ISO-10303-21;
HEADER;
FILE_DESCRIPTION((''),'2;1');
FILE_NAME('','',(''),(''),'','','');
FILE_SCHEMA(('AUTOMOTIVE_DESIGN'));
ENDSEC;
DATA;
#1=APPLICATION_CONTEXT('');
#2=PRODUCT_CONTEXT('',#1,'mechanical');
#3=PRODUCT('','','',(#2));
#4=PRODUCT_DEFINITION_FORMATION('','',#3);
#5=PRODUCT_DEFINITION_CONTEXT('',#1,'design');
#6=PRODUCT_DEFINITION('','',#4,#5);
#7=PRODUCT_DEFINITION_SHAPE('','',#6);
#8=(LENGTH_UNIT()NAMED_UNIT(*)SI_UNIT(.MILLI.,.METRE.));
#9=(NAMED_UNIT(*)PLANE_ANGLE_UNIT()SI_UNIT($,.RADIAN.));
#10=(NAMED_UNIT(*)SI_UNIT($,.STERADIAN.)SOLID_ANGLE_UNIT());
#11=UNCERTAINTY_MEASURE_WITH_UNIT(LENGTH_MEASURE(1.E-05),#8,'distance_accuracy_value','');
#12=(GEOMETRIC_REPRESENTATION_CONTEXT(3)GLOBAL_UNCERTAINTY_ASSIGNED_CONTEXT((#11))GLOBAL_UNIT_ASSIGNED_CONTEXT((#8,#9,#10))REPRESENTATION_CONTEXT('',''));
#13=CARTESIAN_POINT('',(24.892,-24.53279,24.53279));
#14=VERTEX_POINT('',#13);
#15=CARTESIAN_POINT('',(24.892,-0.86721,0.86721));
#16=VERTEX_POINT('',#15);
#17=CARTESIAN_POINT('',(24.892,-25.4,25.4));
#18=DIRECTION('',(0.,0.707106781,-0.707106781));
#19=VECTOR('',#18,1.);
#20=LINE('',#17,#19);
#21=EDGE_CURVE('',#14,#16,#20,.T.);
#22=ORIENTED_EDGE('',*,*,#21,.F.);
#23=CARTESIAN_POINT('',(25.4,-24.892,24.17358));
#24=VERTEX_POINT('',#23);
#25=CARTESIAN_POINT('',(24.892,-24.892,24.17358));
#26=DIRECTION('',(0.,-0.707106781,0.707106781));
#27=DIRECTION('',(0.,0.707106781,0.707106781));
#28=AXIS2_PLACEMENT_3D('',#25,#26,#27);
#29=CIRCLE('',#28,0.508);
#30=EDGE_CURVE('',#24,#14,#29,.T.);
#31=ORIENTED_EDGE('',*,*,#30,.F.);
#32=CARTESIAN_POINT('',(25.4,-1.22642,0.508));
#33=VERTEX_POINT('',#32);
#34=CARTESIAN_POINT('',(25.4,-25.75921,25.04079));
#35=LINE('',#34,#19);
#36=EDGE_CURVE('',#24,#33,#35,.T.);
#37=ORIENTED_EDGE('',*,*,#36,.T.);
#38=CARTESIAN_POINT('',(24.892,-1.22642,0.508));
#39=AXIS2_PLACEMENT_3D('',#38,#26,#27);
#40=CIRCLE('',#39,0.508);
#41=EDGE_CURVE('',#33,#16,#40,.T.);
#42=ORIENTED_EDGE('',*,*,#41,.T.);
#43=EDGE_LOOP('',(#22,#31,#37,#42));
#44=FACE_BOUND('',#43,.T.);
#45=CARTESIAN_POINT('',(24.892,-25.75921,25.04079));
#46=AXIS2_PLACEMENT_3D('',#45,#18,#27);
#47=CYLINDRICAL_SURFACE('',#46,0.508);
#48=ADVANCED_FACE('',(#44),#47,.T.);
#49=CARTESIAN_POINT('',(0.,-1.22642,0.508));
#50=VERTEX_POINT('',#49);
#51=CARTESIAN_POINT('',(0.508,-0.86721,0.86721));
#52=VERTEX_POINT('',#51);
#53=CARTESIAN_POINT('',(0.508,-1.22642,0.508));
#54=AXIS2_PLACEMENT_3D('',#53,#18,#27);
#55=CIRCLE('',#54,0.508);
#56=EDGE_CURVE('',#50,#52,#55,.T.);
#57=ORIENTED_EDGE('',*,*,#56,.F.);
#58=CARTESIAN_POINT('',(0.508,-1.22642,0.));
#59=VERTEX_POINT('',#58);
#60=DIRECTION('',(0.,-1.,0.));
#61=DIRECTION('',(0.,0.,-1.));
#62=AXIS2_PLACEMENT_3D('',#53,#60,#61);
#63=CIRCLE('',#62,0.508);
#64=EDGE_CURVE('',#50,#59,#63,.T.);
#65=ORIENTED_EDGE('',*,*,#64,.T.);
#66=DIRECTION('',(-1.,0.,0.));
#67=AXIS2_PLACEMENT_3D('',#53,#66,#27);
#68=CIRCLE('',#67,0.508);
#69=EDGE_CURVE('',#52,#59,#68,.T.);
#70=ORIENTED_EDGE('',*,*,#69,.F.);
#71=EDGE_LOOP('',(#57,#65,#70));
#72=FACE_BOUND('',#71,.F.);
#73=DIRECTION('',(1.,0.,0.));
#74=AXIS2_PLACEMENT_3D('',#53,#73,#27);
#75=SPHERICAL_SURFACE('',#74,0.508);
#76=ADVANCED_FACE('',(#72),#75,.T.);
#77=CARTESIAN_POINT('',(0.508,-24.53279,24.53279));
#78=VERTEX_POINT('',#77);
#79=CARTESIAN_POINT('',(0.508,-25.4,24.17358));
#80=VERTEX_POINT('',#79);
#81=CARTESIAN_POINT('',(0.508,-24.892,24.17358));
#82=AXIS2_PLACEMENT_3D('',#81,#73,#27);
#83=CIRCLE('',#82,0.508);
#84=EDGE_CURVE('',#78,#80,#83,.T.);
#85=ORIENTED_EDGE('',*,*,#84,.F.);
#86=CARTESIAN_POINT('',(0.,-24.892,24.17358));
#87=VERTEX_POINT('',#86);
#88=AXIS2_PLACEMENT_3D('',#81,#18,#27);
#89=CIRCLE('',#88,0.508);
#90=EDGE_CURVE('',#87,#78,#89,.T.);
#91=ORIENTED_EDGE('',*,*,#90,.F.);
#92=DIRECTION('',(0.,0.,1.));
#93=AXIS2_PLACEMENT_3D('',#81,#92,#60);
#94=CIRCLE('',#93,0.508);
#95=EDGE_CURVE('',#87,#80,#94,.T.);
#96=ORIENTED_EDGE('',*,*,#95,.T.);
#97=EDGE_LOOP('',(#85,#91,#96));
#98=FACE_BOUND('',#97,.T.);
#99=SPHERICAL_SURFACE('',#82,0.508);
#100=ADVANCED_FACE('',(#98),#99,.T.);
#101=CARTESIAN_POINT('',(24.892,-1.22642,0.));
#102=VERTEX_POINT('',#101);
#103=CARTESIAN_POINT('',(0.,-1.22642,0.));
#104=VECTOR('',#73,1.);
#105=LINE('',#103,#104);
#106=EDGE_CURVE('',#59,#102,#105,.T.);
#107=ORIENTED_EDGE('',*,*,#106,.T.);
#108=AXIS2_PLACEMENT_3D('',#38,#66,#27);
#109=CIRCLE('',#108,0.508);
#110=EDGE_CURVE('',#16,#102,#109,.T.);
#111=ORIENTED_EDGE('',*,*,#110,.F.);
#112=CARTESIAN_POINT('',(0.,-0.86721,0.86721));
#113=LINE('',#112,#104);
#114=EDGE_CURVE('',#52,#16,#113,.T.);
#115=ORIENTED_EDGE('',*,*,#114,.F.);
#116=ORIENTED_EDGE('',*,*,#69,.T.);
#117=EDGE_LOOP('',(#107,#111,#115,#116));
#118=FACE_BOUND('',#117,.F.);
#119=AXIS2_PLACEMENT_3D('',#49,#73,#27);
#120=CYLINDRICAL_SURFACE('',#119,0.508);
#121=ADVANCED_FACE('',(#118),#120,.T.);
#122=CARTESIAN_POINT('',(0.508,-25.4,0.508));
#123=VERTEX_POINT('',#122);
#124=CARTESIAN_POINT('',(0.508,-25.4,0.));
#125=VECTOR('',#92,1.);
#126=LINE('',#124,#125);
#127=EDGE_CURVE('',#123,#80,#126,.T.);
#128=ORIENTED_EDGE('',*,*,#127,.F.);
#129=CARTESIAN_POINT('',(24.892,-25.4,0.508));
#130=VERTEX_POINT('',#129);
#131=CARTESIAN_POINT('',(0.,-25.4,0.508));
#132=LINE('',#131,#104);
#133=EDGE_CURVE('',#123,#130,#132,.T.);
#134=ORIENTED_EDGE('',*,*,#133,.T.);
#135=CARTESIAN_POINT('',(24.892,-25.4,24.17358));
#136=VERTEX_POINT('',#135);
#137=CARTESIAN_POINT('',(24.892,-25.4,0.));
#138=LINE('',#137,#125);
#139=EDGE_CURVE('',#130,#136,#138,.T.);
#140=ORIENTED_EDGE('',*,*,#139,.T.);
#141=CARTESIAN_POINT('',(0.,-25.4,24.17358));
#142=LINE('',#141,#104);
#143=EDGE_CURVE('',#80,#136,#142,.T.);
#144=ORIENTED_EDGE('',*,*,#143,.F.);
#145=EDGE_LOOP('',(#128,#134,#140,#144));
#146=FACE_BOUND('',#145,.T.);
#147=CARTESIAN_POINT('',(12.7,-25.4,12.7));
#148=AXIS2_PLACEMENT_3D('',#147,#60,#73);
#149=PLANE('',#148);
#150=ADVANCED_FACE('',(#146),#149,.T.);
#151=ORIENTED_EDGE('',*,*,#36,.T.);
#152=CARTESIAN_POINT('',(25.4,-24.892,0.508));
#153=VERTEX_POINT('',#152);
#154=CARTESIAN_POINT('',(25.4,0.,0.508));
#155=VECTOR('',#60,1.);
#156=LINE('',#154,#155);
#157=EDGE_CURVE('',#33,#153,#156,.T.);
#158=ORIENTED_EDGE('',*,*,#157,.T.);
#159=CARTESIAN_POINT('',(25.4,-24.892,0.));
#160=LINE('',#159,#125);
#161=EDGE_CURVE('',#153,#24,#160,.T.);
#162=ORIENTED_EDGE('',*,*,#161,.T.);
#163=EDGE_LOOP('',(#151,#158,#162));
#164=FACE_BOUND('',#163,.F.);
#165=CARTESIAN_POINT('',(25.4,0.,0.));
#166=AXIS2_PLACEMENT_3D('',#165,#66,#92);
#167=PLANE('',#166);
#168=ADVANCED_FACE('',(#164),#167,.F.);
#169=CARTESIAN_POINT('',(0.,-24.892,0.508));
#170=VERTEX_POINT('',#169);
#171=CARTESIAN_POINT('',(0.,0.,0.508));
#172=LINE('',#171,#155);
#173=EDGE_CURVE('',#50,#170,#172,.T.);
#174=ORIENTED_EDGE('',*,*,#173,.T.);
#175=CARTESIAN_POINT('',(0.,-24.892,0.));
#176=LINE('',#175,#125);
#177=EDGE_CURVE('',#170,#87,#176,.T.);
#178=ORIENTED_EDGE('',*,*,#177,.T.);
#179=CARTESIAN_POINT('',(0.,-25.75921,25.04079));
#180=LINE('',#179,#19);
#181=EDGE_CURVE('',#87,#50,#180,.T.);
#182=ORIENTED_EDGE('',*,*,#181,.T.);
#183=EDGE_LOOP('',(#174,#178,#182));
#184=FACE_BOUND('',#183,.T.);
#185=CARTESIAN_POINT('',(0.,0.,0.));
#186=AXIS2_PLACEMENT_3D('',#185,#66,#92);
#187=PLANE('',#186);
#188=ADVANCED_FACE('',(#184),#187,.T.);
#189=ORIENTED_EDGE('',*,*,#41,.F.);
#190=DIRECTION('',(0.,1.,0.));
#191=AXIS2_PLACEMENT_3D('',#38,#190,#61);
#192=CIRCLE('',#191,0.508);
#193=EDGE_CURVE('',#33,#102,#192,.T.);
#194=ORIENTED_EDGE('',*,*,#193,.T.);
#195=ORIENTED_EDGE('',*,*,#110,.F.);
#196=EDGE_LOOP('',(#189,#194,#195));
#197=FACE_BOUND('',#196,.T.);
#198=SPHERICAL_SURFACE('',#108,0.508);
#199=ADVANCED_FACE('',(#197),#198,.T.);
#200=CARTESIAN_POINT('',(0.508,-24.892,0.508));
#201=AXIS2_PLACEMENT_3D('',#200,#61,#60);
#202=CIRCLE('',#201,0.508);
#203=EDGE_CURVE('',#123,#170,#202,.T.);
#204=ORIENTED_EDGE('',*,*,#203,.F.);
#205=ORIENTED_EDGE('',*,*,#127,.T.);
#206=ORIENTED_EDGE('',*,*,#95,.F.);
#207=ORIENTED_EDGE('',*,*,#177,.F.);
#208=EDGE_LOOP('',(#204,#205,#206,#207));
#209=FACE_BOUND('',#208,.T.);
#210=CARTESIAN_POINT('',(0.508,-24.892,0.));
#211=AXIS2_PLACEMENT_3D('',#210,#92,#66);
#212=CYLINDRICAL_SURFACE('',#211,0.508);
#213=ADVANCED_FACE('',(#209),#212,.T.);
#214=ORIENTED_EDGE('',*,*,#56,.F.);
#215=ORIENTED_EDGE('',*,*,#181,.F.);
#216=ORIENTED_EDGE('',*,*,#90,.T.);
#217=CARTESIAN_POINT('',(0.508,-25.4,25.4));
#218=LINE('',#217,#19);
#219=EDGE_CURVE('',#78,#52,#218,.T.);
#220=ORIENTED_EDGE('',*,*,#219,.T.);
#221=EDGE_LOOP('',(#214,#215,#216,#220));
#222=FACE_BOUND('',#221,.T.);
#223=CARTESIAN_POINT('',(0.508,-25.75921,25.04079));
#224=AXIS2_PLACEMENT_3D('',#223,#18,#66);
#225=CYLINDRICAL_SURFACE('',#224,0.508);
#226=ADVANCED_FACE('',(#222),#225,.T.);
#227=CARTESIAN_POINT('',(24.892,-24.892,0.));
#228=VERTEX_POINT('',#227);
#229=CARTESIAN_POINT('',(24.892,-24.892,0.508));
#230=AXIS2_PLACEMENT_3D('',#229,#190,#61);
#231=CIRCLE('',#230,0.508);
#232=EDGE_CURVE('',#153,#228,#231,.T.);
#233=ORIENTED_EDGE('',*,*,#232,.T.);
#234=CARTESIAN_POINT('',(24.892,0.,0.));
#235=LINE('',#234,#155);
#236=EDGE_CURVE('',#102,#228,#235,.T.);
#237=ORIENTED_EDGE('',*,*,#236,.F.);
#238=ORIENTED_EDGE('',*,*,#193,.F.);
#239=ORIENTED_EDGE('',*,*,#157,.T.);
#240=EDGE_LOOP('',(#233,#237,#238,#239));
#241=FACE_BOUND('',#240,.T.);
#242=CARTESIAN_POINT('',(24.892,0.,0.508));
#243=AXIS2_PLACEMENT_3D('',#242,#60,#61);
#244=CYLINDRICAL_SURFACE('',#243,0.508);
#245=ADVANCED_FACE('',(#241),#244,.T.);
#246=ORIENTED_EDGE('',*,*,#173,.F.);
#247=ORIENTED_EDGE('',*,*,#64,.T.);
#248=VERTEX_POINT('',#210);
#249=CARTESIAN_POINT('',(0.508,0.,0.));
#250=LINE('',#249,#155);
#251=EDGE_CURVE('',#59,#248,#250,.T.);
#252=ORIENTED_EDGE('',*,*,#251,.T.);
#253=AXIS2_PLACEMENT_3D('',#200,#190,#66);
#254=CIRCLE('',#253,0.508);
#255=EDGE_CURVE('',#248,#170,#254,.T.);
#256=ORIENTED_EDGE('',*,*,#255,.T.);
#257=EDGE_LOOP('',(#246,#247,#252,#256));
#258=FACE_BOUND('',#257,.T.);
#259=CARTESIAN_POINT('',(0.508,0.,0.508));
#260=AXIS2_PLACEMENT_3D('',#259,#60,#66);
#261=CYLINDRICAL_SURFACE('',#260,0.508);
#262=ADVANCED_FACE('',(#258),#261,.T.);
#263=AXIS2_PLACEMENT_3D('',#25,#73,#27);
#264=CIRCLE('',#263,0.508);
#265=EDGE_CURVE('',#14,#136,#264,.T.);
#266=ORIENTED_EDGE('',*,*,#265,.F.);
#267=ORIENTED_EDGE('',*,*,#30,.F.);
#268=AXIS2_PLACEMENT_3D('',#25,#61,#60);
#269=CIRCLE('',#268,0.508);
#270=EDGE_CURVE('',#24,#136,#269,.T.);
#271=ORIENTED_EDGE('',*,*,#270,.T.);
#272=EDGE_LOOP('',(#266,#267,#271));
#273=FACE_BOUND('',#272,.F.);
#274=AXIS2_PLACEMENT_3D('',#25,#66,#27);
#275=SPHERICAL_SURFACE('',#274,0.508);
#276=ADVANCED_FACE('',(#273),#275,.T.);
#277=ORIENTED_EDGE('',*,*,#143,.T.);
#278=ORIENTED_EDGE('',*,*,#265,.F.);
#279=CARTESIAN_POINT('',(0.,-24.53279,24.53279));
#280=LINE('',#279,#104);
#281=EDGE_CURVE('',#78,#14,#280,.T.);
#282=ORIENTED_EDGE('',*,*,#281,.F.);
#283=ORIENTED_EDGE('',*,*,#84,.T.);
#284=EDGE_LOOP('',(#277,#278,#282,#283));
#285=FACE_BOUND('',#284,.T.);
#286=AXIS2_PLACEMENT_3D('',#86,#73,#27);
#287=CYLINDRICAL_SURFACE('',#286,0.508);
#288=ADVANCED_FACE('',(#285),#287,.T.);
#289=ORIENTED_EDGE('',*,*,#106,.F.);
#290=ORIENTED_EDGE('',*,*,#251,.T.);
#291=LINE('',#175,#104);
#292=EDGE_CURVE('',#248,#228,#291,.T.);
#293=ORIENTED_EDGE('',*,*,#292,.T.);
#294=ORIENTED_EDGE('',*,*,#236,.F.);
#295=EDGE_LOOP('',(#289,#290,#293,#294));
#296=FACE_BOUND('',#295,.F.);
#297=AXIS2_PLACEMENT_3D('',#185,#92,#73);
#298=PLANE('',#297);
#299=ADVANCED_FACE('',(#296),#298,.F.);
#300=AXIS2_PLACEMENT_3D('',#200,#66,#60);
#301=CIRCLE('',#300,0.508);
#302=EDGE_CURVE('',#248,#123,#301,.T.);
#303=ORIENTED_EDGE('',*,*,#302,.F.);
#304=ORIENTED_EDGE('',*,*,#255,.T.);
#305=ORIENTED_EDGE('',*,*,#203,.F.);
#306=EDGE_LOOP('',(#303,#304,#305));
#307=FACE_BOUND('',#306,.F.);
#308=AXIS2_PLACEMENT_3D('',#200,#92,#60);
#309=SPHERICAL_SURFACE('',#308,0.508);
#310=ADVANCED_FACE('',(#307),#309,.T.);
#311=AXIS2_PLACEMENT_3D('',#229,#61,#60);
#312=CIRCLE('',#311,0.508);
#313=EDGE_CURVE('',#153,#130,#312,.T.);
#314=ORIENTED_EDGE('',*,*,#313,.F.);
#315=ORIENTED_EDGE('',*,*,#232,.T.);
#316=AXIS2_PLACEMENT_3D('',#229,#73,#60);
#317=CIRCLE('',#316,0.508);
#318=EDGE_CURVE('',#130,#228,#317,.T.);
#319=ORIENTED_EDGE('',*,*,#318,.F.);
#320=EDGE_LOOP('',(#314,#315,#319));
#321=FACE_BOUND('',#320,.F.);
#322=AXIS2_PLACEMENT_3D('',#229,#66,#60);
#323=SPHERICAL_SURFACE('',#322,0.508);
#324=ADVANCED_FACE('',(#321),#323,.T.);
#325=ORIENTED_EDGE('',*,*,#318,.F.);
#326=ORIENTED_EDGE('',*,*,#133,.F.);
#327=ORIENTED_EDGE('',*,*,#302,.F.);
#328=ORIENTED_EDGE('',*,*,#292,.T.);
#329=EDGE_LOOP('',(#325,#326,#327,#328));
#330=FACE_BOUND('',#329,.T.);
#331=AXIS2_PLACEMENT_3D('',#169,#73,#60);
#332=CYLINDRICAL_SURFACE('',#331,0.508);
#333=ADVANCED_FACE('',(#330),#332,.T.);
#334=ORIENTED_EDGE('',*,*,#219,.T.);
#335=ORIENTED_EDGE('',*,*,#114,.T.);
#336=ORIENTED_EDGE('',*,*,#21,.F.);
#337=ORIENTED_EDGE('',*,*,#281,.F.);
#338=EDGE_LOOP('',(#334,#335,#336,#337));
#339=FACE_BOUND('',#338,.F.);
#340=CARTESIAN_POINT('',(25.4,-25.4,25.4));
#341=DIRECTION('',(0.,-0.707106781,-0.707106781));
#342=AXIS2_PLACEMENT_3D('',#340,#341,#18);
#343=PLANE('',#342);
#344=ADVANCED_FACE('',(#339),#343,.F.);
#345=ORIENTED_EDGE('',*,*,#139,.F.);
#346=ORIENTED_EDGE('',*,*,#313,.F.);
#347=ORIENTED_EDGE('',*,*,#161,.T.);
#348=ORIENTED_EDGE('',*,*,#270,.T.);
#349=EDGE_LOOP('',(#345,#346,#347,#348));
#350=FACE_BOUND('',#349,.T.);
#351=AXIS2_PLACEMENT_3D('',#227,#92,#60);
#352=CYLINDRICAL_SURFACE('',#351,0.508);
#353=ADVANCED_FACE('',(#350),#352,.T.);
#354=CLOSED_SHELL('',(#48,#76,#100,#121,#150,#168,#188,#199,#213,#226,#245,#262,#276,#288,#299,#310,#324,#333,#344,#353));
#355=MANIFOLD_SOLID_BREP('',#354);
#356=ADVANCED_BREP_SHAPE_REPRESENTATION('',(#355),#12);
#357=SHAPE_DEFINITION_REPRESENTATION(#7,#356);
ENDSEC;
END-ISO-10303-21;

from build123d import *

# Parameters (mm, degrees)
F0_W     = 25.4
F0_H     = 25.4
F1_DEPTH = 25.4
F3_DEPTH = 25.4
F4_R     = 0.508


with BuildPart() as f1:
    # F0 (on Front) → F1 (new body)
    with BuildSketch(Plane.XZ):
        with Locations((12.7, 12.7)):
            Rectangle(F0_W, F0_H)
    extrude(amount=F1_DEPTH)

    # F2 (on face) → F3 (cut)
    with BuildSketch(Plane.YZ.offset(25.4)):
        Polygon((0, 25.4), (-25.4, 25.4), (0, 0), align=None)
    extrude(amount=-F3_DEPTH, mode=Mode.SUBTRACT)

    # F4
    f4_edges = [f1.edges().sort_by_distance(p)[0] for p in [
        (0, -25.4, 12.7),
        (12.7, -25.4, 0),
        (25.4, -25.4, 12.7),
        (12.7, -25.4, 25.4),
        (25.4, -12.7, 12.7),
        (25.4, -12.7, 0),
        (12.7, 0, 0),
        (0, -12.7, 12.7),
        (0, -12.7, 0),
    ]]
    fillet(f4_edges, radius=F4_R)


solid = f1.part
